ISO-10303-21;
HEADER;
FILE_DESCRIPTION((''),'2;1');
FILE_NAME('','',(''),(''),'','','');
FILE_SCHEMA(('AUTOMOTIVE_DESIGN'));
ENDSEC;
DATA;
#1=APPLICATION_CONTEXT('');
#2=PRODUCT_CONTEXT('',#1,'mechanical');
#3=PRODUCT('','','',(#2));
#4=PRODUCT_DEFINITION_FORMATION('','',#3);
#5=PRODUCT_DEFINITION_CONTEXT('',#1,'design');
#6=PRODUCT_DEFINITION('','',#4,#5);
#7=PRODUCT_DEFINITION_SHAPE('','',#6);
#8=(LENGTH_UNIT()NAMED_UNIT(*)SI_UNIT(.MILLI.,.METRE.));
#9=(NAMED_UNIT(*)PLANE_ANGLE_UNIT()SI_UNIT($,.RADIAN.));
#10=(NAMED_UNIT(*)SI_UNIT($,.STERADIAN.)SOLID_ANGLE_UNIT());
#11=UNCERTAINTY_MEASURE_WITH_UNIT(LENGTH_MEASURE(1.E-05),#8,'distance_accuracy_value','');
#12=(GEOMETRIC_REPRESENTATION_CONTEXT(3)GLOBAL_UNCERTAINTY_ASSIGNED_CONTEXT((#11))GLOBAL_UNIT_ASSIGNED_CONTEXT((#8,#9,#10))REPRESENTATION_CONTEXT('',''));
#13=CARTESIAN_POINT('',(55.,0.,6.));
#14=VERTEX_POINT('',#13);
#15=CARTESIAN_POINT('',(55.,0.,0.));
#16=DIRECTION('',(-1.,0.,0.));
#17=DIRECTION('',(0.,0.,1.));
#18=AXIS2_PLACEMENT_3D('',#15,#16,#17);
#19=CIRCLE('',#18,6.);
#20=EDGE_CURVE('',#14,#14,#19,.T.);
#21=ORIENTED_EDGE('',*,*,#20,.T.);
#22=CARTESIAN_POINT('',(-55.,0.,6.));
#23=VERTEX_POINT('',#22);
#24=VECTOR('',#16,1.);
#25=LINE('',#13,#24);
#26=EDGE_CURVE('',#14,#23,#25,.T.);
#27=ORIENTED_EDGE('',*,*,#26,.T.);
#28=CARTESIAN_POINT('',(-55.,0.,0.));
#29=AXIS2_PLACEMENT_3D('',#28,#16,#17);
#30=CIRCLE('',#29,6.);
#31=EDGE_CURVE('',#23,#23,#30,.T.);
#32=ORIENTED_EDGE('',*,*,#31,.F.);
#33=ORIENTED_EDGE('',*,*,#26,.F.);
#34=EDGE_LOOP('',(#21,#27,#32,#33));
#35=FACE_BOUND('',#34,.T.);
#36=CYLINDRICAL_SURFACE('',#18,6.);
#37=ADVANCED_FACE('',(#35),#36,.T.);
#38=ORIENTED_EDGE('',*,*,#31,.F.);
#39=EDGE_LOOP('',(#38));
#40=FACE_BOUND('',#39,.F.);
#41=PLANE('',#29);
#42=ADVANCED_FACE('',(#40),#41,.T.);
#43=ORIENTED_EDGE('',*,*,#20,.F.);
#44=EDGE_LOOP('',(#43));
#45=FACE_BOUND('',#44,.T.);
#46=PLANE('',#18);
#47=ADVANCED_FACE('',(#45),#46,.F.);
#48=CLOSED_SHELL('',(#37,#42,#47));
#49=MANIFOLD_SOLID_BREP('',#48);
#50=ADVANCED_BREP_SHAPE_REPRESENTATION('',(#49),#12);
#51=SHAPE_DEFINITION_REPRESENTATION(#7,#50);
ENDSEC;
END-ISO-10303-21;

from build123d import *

# Parameters (mm, degrees)
F0_W = 55
F0_H = 6


with BuildPart() as f1:
    # F0 (on Front) → F1 (revolve)
    with BuildSketch(Plane.XZ):
        with Locations((-27.5, 3)):
            Rectangle(F0_W, F0_H)
        with Locations((27.5, 3)):
            Rectangle(F0_W, F0_H)
    revolve(axis=Axis((-27.5, 0, 0), (-1, 0, 0)))


solid = f1.part
